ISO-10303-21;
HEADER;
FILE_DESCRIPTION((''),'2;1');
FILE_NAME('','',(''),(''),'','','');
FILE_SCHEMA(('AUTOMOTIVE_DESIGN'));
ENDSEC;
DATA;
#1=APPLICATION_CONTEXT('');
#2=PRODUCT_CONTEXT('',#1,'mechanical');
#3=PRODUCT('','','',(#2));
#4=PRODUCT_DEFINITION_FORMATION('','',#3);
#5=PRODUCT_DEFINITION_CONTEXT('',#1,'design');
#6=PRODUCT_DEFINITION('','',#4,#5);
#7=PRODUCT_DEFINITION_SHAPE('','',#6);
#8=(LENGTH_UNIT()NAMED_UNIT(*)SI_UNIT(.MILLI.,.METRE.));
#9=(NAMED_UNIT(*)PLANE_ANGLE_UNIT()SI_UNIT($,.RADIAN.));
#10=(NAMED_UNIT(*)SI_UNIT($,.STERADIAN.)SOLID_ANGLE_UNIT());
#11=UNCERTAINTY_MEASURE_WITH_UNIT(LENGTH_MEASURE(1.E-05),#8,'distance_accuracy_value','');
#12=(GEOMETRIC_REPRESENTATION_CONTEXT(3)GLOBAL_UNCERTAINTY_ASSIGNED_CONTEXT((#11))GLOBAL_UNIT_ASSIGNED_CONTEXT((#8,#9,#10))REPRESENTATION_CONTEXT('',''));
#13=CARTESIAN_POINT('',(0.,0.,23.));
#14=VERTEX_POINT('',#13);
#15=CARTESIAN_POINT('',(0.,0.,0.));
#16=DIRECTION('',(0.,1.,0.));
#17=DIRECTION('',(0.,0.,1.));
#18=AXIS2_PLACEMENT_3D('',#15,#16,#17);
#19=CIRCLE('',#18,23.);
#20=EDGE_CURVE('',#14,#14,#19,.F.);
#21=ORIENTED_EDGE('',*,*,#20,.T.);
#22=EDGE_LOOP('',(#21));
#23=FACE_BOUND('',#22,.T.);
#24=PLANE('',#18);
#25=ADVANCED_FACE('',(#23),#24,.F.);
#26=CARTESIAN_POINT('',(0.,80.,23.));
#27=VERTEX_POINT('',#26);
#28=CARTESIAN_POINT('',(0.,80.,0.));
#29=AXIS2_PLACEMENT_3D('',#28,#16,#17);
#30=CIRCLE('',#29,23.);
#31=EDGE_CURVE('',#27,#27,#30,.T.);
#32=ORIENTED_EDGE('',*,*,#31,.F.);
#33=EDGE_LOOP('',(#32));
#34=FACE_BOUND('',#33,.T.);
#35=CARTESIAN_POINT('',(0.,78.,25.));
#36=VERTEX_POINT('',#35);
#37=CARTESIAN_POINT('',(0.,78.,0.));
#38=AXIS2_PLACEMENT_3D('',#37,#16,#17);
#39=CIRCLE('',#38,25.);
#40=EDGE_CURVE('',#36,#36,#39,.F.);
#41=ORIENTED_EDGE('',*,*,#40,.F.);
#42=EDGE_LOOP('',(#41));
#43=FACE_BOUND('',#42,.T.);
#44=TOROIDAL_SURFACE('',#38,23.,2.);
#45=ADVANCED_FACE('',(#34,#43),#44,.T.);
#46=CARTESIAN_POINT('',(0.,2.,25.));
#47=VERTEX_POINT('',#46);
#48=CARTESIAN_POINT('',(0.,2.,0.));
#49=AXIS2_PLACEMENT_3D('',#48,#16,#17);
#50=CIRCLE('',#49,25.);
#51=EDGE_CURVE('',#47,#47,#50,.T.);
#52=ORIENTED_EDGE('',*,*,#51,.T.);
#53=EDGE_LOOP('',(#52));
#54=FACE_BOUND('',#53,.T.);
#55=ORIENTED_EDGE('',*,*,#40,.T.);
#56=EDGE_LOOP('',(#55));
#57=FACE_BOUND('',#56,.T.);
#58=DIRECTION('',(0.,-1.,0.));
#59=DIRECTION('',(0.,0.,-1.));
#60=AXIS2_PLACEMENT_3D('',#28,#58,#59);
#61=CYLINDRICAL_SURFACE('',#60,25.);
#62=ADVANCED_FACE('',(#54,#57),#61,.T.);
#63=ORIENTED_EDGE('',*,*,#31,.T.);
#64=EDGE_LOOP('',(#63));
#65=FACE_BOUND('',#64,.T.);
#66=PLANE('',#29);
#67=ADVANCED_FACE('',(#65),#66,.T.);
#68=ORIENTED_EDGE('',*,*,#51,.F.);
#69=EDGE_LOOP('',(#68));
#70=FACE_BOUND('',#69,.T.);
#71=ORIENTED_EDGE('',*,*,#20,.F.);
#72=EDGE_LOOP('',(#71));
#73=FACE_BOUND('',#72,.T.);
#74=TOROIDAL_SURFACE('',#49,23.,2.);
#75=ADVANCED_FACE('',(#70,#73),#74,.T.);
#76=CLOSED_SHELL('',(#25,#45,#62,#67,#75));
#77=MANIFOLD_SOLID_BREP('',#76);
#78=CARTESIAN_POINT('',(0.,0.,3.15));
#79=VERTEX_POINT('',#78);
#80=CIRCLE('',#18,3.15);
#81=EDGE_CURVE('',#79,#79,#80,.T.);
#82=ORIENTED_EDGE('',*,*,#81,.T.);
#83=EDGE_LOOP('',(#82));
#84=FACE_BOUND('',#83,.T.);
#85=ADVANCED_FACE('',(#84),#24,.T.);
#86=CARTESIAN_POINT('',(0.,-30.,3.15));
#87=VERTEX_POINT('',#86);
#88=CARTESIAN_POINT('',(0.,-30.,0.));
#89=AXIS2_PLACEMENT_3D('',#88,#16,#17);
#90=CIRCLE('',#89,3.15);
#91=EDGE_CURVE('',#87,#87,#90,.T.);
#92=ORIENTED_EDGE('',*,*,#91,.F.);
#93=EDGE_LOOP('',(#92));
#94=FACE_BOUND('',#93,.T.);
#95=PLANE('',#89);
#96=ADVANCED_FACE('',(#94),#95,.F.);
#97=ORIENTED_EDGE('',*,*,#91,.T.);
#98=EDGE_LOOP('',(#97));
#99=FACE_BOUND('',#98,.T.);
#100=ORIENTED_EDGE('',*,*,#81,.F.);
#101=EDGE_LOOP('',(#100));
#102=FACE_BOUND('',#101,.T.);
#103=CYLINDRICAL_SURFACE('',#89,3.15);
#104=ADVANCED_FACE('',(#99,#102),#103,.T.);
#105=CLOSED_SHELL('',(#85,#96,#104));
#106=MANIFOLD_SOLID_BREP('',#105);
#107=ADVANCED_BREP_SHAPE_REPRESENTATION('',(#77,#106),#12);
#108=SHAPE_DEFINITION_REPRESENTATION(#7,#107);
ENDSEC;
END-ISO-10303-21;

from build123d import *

# Parameters (mm, degrees)
SKETCH1_R           = 25
BOSS_EXTRUDE1_DEPTH = 80
SKETCH1_2_R         = 3.15
BOSS_EXTRUDE2_DEPTH = 30
FILLET1_R           = 2


with BuildPart() as part:
    # Sketch1 → Boss-Extrude1 (new body)
    with BuildSketch(Plane(origin=(0, 0, 0), x_dir=(1, 0, 0), z_dir=(0, 1, 0))):
        Circle(SKETCH1_R)
    extrude(amount=BOSS_EXTRUDE1_DEPTH)

    # Fillet1
    fillet1_edges = [part.edges().sort_by_distance(p)[0] for p in [
        (-25, 0, 0),
        (-25, 80, 0),
    ]]
    fillet(fillet1_edges, radius=FILLET1_R)


with BuildPart() as body_2:
    # Sketch1<2> → Boss-Extrude2 (new body)
    with BuildSketch(Plane(origin=(0, 0, 0), x_dir=(1, 0, 0), z_dir=(0, 1, 0))):
        Circle(SKETCH1_2_R)
    extrude(amount=-BOSS_EXTRUDE2_DEPTH)


solid = Compound([part.part, body_2.part])
